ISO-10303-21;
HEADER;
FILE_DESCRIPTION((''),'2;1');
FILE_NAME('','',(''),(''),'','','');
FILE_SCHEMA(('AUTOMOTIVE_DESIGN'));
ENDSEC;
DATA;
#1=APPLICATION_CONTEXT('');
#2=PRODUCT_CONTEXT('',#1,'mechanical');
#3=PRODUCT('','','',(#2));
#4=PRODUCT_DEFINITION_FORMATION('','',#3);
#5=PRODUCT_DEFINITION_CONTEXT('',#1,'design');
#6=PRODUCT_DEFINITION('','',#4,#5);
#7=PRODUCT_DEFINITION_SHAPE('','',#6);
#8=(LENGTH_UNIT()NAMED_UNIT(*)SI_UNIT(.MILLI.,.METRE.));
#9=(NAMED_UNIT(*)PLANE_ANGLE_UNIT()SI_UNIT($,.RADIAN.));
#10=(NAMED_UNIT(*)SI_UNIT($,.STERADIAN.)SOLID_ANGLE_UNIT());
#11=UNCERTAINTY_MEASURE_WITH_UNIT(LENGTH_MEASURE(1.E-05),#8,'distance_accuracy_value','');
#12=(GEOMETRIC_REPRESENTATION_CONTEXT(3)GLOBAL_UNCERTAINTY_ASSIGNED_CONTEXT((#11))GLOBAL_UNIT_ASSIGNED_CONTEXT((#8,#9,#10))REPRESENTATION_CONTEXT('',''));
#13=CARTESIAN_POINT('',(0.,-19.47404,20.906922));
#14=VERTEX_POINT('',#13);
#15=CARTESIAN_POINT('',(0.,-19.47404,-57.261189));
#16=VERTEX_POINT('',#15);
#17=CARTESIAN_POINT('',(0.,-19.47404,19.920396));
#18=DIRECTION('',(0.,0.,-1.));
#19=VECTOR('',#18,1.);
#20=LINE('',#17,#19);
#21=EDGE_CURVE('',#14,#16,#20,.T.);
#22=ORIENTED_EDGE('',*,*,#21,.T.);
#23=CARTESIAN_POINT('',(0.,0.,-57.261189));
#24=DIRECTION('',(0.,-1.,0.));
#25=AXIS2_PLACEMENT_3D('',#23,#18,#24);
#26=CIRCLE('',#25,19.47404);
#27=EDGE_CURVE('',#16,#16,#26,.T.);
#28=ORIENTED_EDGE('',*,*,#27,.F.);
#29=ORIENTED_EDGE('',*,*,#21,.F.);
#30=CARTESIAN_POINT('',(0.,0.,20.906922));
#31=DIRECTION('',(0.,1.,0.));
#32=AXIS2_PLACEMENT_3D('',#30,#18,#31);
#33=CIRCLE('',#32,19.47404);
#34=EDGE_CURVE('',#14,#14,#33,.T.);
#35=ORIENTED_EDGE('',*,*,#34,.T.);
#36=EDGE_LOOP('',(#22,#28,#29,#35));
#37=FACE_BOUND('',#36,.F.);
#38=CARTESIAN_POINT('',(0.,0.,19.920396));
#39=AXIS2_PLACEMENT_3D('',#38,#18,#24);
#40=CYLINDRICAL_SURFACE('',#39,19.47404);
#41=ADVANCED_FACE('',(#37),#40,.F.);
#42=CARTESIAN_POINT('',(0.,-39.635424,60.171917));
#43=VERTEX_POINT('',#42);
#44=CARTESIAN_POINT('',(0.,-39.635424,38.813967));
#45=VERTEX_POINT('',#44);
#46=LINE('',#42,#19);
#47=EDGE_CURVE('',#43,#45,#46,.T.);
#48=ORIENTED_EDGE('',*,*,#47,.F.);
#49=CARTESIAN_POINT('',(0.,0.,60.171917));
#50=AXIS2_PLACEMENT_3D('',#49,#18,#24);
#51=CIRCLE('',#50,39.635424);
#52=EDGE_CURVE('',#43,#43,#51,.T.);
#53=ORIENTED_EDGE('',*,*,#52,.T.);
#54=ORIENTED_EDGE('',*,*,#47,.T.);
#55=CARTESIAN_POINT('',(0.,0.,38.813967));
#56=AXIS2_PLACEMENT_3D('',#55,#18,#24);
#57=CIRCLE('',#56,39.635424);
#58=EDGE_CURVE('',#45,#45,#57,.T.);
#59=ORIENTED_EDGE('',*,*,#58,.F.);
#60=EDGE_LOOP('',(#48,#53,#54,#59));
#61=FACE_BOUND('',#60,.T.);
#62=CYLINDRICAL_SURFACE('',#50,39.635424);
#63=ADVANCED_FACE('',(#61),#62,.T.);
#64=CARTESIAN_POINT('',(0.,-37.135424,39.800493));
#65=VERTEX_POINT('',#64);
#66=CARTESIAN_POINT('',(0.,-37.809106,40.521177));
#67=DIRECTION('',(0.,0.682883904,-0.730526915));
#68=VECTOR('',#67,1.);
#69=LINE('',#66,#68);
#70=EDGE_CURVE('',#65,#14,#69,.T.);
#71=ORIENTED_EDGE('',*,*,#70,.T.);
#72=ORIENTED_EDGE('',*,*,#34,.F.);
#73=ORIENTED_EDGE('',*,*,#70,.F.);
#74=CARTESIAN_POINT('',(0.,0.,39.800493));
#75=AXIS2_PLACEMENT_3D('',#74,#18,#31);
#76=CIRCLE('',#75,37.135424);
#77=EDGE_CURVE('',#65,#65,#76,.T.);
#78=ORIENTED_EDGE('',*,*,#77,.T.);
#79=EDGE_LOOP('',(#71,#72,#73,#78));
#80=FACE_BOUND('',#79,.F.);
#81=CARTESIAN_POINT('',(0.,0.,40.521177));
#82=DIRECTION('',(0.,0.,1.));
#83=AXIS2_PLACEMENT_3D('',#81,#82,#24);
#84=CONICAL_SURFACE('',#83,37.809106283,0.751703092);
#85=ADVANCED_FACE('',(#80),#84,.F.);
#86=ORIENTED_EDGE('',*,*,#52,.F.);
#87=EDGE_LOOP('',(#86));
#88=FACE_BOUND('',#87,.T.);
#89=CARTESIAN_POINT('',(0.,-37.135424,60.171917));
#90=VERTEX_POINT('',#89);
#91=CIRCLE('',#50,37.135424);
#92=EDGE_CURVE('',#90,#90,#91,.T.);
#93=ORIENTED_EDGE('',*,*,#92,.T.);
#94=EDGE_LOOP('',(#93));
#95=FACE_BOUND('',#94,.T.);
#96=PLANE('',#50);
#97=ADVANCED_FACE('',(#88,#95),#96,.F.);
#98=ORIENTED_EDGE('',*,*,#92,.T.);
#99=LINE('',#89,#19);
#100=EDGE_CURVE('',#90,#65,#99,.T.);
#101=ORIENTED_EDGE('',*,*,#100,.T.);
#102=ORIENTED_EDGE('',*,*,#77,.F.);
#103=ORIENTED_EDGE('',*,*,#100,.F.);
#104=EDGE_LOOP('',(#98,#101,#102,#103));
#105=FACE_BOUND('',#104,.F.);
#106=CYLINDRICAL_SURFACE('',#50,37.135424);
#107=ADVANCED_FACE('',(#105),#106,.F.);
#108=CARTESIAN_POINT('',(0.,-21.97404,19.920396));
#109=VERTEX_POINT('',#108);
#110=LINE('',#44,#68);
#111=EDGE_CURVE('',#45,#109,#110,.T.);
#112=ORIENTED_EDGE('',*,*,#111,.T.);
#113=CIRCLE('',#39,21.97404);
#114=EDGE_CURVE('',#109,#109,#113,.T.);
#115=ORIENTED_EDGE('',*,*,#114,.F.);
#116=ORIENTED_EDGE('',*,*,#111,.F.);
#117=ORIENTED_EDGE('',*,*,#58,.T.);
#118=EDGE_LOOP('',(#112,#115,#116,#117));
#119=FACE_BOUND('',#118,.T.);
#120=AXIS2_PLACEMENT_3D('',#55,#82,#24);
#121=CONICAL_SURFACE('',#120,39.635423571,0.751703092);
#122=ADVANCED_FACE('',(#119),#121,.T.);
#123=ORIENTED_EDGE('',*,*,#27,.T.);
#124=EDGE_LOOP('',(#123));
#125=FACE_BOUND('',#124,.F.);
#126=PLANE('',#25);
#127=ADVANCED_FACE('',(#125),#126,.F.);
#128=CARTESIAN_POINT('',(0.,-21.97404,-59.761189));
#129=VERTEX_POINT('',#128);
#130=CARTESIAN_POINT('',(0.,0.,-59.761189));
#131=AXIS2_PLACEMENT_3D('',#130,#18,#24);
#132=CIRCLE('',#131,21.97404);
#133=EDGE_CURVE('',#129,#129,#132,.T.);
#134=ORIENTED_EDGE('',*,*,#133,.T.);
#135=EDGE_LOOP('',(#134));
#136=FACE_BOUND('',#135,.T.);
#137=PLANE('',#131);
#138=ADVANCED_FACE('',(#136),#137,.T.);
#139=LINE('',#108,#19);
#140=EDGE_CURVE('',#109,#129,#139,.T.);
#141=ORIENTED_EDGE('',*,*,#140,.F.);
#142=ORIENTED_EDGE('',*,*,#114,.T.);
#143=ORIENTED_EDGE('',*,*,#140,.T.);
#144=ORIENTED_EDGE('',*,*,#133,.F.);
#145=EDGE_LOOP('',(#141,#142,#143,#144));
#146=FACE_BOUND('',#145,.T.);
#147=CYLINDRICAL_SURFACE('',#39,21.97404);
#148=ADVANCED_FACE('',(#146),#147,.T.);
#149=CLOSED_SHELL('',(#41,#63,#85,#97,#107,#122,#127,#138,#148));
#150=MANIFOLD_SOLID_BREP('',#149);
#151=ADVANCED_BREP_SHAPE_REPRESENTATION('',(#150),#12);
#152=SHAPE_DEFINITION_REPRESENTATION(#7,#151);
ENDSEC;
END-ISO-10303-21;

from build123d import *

# Parameters (mm, degrees)
F2_T = -2.5


with BuildPart() as f1:
    # F0 (on Right) → F1 (revolve)
    with BuildSketch(Plane.YZ):
        Polygon((-21.9740401953, -59.7611889243), (0, -59.7611889243), (0, 60.1719170809), (-39.6354235709, 60.1719170809), (-39.6354235709, 38.8139672577), (-21.9740401953, 19.9203956872), align=None)
    revolve(axis=Axis((0, 0, 0.2053640783), (0, 0, -1)))

    # F2
    f2_openings = [f1.faces().sort_by_distance(p)[0] for p in [
        (0, 0, 60.171917),
    ]]
    offset(amount=F2_T, openings=f2_openings, kind=Kind.INTERSECTION)


solid = f1.part
